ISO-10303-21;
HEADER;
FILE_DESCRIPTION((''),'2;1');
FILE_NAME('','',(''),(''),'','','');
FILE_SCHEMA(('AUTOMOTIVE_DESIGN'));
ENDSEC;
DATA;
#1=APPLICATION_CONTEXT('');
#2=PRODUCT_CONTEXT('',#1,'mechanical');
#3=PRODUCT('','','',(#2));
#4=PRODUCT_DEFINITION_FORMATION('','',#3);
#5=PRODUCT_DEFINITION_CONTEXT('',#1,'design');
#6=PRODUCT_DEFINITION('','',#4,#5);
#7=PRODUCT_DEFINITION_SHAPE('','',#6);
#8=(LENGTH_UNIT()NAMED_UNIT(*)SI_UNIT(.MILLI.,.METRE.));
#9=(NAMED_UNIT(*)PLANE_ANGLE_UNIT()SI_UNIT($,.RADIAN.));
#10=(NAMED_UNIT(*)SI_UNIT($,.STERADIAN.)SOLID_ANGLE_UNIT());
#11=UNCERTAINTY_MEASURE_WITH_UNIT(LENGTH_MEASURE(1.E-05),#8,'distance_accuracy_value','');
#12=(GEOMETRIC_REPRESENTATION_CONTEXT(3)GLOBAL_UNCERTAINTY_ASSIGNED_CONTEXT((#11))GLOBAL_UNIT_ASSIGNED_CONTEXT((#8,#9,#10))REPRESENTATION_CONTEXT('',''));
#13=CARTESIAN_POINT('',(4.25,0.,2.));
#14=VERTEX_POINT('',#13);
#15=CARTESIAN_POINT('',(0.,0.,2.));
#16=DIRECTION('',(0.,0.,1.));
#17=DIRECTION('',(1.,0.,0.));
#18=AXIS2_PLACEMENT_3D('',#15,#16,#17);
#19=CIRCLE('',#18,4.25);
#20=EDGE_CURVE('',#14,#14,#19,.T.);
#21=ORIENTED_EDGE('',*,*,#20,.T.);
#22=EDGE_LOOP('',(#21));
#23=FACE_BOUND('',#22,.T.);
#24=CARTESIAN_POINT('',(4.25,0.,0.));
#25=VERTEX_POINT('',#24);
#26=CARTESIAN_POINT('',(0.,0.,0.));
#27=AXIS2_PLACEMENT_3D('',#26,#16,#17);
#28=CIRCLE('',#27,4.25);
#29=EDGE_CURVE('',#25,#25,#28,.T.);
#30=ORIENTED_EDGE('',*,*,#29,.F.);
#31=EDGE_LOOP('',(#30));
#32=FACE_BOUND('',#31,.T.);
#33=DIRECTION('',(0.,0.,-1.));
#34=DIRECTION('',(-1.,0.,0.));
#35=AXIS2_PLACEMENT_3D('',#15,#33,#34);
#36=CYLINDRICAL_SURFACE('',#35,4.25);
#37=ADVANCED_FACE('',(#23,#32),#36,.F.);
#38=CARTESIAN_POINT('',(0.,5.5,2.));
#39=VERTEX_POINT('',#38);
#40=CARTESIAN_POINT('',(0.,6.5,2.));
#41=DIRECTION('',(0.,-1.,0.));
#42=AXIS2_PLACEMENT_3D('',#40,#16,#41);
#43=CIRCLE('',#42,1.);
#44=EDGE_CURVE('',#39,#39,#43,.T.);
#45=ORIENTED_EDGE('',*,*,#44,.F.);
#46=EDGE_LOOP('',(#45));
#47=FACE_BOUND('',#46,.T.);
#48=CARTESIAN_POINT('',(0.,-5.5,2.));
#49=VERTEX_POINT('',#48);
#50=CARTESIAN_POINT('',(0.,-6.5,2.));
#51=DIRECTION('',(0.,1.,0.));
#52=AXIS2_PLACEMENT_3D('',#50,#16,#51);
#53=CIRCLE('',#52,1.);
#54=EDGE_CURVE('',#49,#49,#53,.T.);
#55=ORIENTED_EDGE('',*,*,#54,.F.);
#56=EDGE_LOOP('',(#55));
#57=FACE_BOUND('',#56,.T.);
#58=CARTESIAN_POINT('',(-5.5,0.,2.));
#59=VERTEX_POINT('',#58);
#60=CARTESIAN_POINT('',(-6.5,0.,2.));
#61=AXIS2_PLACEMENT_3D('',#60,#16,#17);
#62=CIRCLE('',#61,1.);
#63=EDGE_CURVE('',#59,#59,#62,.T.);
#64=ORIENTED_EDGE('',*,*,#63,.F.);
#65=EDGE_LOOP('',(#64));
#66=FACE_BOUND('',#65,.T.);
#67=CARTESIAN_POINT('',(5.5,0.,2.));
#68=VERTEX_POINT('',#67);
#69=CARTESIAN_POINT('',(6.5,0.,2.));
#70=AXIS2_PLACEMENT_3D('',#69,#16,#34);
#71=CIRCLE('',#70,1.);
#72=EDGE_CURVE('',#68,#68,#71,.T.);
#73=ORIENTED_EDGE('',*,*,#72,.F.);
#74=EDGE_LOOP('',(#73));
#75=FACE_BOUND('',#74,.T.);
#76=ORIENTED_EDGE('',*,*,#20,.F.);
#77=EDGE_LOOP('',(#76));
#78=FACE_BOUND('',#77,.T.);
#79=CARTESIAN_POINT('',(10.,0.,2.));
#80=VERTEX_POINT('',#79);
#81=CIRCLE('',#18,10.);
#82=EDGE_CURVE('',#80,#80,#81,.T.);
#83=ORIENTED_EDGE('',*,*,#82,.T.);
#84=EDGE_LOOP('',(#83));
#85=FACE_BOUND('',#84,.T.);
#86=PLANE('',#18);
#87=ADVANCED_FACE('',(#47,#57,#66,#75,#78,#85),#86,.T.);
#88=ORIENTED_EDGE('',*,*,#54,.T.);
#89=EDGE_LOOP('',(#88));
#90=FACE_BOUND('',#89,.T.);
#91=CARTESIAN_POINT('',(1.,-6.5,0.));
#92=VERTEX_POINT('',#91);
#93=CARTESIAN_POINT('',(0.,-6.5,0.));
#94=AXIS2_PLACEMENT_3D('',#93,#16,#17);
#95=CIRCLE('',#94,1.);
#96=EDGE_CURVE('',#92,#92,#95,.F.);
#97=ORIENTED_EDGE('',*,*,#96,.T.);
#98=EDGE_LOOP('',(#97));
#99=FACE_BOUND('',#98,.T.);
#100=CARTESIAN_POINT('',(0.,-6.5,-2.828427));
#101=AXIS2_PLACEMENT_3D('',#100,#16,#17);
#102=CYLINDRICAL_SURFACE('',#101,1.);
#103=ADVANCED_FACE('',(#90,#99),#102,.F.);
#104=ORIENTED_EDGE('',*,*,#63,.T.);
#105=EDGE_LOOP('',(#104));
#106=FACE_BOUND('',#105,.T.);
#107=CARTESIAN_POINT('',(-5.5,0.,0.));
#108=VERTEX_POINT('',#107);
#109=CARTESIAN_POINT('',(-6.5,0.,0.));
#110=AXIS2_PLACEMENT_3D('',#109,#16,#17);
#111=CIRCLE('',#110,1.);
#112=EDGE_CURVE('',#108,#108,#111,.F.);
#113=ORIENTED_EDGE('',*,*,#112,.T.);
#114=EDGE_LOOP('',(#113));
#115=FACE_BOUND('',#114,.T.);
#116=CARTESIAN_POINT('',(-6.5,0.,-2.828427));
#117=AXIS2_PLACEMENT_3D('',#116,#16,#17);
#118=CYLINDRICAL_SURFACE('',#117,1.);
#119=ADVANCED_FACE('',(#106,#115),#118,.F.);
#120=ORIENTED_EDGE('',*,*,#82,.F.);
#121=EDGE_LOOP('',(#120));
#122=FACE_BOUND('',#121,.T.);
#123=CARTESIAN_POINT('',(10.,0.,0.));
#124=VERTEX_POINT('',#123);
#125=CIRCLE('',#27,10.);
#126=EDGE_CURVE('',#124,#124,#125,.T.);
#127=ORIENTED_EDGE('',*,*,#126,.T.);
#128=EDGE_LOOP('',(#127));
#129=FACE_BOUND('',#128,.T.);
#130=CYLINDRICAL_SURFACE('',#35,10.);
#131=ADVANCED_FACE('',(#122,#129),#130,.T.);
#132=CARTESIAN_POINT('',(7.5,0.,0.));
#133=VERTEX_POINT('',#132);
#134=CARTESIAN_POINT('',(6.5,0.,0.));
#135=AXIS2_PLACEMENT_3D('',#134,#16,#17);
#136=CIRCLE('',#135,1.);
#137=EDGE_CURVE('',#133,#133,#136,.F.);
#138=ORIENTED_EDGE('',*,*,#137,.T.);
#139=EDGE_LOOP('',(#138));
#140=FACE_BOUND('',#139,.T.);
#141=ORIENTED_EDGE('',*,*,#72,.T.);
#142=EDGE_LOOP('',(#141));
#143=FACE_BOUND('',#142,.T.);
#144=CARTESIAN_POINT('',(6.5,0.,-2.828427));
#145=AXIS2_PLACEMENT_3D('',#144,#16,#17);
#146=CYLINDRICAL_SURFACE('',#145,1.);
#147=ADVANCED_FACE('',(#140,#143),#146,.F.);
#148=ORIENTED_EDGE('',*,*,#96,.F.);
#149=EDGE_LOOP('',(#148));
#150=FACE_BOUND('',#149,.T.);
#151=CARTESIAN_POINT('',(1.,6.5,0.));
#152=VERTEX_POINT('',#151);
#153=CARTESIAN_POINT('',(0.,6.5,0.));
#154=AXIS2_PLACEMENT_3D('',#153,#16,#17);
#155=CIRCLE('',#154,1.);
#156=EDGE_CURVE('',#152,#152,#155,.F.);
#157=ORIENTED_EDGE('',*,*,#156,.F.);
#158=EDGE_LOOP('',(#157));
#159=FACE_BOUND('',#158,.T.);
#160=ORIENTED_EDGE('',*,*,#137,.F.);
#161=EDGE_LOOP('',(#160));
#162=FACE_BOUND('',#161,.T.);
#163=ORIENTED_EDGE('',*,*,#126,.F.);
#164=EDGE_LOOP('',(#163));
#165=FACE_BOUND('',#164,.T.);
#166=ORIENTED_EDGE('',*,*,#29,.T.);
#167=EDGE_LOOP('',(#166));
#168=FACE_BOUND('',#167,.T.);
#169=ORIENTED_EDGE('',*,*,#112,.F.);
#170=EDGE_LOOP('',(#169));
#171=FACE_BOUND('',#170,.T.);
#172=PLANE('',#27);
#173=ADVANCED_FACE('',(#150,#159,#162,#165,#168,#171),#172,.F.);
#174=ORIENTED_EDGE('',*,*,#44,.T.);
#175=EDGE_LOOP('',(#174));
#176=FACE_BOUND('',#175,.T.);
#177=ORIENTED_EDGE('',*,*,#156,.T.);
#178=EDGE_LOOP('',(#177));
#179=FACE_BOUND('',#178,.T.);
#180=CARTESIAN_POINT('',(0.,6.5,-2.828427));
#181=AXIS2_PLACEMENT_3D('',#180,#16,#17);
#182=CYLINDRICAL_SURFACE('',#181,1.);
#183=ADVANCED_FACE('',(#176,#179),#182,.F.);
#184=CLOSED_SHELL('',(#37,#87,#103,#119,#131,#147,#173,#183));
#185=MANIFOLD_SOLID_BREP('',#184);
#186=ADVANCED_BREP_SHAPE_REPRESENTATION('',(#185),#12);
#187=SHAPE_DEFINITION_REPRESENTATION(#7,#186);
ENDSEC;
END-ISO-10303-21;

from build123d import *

# Parameters (mm, degrees)
SKETCH1_R           = 10
SKETCH1_R_2         = 4.25
BOSS_EXTRUDE1_DEPTH = 2
SKETCH2_R           = 1
CUT_EXTRUDE1_DEPTH  = 2
CIRPATTERN1_COUNT   = 4


with BuildPart() as part:
    # Sketch1 → Boss-Extrude1 (new body)
    with BuildSketch(Plane.XY):
        Circle(SKETCH1_R)
        Circle(SKETCH1_R_2, mode=Mode.SUBTRACT)
    extrude(amount=BOSS_EXTRUDE1_DEPTH)

    # Sketch2 → Cut-Extrude1 (cut)
    with BuildSketch(Plane.XY.offset(2)):
        with Locations((-6.5, 0)):
            Circle(SKETCH2_R)
    cut_extrude1 = extrude(amount=-CUT_EXTRUDE1_DEPTH, mode=Mode.SUBTRACT)

    # CirPattern1: Cut-Extrude1 ×4 about axis
    cirpattern1_axis = Axis((0, 0, 0), (0, 0, 1))
    for i in range(1, CIRPATTERN1_COUNT):
        add(cut_extrude1.rotate(cirpattern1_axis, i * 360 / CIRPATTERN1_COUNT), mode=Mode.SUBTRACT)


solid = part.part
